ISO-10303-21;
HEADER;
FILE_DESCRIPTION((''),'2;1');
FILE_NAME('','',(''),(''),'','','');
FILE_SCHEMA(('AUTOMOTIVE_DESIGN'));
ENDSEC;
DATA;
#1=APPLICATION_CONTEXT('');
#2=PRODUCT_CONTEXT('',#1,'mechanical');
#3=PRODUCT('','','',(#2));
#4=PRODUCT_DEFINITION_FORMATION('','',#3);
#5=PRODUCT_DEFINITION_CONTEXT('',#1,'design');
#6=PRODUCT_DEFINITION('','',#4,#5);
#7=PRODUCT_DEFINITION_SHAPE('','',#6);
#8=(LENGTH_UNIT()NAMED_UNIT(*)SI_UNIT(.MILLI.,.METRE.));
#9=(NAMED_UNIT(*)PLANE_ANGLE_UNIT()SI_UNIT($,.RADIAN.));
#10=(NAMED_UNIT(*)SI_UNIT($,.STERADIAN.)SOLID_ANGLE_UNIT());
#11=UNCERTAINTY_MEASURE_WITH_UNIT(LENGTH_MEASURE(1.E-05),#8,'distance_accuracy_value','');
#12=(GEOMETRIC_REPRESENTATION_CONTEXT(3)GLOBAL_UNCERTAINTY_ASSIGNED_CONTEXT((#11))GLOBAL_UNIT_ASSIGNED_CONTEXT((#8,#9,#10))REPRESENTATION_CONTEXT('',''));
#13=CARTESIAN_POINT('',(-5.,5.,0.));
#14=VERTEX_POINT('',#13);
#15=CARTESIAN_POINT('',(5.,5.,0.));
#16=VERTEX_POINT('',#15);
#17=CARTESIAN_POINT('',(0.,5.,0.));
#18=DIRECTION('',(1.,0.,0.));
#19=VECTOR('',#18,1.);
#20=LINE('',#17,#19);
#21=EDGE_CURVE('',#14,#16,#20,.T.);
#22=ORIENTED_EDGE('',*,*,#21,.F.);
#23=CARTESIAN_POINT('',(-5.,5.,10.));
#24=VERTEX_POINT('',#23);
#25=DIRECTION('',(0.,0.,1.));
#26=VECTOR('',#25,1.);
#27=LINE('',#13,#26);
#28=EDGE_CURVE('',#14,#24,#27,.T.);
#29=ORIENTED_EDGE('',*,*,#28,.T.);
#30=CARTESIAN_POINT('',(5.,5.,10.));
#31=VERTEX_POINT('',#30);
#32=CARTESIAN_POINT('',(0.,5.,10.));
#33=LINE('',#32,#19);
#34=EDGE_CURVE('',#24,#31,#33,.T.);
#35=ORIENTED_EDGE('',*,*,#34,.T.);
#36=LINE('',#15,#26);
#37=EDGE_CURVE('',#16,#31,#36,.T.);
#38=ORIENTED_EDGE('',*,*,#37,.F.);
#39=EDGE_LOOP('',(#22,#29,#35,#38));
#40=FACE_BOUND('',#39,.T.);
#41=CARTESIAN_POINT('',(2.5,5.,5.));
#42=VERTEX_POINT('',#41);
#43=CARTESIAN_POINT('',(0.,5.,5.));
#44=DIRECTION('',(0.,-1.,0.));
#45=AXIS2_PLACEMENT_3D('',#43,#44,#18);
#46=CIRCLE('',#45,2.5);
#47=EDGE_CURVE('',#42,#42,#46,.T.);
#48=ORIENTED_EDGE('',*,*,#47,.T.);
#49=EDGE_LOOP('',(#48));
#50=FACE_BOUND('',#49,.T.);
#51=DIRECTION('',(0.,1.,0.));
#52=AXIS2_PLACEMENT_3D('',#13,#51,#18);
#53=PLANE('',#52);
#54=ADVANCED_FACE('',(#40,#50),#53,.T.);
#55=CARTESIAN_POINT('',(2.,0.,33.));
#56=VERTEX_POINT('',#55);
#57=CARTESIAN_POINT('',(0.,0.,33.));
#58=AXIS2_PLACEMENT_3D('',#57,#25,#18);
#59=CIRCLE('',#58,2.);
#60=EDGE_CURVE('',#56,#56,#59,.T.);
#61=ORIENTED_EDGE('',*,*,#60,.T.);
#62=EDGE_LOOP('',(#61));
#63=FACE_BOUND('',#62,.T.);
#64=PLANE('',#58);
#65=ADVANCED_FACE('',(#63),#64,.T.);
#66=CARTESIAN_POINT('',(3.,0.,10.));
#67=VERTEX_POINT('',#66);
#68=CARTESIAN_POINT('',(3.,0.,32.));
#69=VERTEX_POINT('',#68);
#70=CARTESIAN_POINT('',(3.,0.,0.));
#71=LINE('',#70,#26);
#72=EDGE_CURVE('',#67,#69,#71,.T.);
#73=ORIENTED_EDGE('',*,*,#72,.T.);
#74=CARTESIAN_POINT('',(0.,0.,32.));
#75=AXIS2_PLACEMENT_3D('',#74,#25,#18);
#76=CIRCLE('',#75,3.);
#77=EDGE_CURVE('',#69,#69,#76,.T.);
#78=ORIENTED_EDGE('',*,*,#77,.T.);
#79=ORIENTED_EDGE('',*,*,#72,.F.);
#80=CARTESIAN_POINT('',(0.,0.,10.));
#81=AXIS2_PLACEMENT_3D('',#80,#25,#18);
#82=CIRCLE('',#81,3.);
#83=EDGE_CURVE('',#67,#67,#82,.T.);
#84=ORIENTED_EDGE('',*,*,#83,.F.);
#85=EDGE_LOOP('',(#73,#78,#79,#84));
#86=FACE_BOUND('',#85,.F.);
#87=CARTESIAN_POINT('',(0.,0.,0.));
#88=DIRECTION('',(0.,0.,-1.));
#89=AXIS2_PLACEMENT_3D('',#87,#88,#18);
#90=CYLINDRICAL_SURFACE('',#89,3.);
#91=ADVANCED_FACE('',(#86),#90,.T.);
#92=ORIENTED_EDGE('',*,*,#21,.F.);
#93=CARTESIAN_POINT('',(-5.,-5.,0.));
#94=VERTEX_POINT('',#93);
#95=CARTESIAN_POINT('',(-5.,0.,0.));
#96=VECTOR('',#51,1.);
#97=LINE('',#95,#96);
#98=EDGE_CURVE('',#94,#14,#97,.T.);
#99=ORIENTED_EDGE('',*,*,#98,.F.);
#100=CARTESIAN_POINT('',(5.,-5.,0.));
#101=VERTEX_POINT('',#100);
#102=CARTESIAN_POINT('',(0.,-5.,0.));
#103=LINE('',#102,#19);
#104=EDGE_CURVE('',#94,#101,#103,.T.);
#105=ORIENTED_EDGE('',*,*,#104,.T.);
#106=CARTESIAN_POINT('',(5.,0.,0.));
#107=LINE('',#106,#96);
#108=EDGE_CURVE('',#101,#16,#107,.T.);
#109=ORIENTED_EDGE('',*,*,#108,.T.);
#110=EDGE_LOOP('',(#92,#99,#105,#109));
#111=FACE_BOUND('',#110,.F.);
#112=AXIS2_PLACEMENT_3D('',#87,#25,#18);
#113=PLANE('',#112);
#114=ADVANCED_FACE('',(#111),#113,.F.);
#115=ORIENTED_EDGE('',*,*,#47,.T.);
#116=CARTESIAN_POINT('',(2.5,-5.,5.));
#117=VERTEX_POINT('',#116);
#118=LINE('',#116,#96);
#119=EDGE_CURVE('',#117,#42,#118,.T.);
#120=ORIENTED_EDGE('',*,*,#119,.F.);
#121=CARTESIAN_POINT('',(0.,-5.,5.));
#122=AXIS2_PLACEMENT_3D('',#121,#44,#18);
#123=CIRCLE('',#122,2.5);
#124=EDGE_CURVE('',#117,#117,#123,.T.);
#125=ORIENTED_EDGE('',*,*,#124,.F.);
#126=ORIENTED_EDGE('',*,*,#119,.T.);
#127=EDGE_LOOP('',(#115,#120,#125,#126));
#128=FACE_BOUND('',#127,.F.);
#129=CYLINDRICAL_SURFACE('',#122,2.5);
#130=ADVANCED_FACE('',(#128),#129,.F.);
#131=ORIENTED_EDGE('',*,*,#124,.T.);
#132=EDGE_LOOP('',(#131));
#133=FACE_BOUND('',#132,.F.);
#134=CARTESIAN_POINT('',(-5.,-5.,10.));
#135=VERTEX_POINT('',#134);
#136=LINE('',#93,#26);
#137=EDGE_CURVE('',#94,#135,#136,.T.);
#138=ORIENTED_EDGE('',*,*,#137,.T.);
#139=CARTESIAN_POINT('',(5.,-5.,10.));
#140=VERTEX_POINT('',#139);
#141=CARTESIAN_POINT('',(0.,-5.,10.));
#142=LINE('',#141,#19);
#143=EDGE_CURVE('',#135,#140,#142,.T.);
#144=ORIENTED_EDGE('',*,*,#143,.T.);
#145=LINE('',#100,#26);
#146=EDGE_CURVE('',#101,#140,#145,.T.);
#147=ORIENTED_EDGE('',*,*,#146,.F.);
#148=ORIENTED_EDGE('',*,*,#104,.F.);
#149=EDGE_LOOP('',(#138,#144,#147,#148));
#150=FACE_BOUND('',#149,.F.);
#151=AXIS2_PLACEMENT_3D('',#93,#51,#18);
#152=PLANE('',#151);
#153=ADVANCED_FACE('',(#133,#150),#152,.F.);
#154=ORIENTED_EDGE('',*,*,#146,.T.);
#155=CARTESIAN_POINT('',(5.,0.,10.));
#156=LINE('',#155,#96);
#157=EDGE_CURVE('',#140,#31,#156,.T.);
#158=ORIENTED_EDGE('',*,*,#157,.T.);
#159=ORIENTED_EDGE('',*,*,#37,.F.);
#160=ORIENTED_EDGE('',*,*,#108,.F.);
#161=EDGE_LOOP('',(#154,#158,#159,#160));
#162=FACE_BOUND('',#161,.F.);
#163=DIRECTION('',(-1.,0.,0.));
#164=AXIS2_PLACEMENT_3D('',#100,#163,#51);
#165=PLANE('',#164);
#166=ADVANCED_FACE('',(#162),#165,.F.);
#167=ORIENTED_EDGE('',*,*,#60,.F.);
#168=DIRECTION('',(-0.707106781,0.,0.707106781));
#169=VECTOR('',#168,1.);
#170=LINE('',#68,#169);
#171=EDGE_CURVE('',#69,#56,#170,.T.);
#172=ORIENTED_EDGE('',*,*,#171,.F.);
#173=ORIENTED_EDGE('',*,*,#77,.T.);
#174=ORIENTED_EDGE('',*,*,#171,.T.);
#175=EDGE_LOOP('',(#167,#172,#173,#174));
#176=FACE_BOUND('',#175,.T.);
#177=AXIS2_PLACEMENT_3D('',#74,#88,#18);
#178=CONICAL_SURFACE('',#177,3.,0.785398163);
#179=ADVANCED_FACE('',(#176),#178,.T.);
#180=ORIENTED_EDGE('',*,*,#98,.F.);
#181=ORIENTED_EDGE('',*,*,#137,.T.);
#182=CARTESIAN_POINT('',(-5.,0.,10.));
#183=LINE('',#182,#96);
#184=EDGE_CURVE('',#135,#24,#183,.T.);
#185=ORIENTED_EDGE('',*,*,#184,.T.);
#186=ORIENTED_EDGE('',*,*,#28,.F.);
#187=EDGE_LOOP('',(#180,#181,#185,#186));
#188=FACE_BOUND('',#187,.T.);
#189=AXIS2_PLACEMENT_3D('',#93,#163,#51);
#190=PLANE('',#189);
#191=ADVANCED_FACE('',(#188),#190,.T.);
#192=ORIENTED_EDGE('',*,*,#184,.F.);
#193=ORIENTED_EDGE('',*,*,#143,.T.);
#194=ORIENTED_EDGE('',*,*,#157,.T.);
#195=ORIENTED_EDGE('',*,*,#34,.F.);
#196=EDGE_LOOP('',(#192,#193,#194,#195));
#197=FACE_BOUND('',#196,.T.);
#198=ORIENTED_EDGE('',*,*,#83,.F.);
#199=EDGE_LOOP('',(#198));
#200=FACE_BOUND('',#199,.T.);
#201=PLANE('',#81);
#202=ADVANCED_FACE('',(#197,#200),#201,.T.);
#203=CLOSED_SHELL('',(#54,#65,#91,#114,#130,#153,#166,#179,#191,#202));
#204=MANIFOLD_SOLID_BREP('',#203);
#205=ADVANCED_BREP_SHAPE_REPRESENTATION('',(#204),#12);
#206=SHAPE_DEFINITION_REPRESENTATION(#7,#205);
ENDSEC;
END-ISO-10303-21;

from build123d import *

# Parameters (mm, degrees)
F0_W     = 10
F0_H     = 10
F0_R     = 3
F1_DEPTH = 10
F2_DEPTH = 33
F3_SIZE  = 1
F4_R     = 2.5
F5_DEPTH = 25


with BuildPart() as f1:
    # F0 (on Top) → F1 (new body)
    with BuildSketch(Plane.XY):
        Rectangle(F0_W, F0_H)
        Circle(F0_R, mode=Mode.SUBTRACT)
    extrude(amount=F1_DEPTH)

    # F0 (on Top) → F2 (join)
    with BuildSketch(Plane.XY):
        Circle(F0_R)
    extrude(amount=F2_DEPTH)

    # F3
    f3_edges = [f1.edges().sort_by_distance(p)[0] for p in [
        (-3, 0, 33),
    ]]
    chamfer(f3_edges, length=F3_SIZE)

    # F4 (on face) → F5 (cut)
    with BuildSketch(Plane.XZ.offset(5)):
        with Locations((0, 5)):
            Circle(F4_R)
    extrude(amount=-F5_DEPTH, mode=Mode.SUBTRACT)


solid = f1.part
